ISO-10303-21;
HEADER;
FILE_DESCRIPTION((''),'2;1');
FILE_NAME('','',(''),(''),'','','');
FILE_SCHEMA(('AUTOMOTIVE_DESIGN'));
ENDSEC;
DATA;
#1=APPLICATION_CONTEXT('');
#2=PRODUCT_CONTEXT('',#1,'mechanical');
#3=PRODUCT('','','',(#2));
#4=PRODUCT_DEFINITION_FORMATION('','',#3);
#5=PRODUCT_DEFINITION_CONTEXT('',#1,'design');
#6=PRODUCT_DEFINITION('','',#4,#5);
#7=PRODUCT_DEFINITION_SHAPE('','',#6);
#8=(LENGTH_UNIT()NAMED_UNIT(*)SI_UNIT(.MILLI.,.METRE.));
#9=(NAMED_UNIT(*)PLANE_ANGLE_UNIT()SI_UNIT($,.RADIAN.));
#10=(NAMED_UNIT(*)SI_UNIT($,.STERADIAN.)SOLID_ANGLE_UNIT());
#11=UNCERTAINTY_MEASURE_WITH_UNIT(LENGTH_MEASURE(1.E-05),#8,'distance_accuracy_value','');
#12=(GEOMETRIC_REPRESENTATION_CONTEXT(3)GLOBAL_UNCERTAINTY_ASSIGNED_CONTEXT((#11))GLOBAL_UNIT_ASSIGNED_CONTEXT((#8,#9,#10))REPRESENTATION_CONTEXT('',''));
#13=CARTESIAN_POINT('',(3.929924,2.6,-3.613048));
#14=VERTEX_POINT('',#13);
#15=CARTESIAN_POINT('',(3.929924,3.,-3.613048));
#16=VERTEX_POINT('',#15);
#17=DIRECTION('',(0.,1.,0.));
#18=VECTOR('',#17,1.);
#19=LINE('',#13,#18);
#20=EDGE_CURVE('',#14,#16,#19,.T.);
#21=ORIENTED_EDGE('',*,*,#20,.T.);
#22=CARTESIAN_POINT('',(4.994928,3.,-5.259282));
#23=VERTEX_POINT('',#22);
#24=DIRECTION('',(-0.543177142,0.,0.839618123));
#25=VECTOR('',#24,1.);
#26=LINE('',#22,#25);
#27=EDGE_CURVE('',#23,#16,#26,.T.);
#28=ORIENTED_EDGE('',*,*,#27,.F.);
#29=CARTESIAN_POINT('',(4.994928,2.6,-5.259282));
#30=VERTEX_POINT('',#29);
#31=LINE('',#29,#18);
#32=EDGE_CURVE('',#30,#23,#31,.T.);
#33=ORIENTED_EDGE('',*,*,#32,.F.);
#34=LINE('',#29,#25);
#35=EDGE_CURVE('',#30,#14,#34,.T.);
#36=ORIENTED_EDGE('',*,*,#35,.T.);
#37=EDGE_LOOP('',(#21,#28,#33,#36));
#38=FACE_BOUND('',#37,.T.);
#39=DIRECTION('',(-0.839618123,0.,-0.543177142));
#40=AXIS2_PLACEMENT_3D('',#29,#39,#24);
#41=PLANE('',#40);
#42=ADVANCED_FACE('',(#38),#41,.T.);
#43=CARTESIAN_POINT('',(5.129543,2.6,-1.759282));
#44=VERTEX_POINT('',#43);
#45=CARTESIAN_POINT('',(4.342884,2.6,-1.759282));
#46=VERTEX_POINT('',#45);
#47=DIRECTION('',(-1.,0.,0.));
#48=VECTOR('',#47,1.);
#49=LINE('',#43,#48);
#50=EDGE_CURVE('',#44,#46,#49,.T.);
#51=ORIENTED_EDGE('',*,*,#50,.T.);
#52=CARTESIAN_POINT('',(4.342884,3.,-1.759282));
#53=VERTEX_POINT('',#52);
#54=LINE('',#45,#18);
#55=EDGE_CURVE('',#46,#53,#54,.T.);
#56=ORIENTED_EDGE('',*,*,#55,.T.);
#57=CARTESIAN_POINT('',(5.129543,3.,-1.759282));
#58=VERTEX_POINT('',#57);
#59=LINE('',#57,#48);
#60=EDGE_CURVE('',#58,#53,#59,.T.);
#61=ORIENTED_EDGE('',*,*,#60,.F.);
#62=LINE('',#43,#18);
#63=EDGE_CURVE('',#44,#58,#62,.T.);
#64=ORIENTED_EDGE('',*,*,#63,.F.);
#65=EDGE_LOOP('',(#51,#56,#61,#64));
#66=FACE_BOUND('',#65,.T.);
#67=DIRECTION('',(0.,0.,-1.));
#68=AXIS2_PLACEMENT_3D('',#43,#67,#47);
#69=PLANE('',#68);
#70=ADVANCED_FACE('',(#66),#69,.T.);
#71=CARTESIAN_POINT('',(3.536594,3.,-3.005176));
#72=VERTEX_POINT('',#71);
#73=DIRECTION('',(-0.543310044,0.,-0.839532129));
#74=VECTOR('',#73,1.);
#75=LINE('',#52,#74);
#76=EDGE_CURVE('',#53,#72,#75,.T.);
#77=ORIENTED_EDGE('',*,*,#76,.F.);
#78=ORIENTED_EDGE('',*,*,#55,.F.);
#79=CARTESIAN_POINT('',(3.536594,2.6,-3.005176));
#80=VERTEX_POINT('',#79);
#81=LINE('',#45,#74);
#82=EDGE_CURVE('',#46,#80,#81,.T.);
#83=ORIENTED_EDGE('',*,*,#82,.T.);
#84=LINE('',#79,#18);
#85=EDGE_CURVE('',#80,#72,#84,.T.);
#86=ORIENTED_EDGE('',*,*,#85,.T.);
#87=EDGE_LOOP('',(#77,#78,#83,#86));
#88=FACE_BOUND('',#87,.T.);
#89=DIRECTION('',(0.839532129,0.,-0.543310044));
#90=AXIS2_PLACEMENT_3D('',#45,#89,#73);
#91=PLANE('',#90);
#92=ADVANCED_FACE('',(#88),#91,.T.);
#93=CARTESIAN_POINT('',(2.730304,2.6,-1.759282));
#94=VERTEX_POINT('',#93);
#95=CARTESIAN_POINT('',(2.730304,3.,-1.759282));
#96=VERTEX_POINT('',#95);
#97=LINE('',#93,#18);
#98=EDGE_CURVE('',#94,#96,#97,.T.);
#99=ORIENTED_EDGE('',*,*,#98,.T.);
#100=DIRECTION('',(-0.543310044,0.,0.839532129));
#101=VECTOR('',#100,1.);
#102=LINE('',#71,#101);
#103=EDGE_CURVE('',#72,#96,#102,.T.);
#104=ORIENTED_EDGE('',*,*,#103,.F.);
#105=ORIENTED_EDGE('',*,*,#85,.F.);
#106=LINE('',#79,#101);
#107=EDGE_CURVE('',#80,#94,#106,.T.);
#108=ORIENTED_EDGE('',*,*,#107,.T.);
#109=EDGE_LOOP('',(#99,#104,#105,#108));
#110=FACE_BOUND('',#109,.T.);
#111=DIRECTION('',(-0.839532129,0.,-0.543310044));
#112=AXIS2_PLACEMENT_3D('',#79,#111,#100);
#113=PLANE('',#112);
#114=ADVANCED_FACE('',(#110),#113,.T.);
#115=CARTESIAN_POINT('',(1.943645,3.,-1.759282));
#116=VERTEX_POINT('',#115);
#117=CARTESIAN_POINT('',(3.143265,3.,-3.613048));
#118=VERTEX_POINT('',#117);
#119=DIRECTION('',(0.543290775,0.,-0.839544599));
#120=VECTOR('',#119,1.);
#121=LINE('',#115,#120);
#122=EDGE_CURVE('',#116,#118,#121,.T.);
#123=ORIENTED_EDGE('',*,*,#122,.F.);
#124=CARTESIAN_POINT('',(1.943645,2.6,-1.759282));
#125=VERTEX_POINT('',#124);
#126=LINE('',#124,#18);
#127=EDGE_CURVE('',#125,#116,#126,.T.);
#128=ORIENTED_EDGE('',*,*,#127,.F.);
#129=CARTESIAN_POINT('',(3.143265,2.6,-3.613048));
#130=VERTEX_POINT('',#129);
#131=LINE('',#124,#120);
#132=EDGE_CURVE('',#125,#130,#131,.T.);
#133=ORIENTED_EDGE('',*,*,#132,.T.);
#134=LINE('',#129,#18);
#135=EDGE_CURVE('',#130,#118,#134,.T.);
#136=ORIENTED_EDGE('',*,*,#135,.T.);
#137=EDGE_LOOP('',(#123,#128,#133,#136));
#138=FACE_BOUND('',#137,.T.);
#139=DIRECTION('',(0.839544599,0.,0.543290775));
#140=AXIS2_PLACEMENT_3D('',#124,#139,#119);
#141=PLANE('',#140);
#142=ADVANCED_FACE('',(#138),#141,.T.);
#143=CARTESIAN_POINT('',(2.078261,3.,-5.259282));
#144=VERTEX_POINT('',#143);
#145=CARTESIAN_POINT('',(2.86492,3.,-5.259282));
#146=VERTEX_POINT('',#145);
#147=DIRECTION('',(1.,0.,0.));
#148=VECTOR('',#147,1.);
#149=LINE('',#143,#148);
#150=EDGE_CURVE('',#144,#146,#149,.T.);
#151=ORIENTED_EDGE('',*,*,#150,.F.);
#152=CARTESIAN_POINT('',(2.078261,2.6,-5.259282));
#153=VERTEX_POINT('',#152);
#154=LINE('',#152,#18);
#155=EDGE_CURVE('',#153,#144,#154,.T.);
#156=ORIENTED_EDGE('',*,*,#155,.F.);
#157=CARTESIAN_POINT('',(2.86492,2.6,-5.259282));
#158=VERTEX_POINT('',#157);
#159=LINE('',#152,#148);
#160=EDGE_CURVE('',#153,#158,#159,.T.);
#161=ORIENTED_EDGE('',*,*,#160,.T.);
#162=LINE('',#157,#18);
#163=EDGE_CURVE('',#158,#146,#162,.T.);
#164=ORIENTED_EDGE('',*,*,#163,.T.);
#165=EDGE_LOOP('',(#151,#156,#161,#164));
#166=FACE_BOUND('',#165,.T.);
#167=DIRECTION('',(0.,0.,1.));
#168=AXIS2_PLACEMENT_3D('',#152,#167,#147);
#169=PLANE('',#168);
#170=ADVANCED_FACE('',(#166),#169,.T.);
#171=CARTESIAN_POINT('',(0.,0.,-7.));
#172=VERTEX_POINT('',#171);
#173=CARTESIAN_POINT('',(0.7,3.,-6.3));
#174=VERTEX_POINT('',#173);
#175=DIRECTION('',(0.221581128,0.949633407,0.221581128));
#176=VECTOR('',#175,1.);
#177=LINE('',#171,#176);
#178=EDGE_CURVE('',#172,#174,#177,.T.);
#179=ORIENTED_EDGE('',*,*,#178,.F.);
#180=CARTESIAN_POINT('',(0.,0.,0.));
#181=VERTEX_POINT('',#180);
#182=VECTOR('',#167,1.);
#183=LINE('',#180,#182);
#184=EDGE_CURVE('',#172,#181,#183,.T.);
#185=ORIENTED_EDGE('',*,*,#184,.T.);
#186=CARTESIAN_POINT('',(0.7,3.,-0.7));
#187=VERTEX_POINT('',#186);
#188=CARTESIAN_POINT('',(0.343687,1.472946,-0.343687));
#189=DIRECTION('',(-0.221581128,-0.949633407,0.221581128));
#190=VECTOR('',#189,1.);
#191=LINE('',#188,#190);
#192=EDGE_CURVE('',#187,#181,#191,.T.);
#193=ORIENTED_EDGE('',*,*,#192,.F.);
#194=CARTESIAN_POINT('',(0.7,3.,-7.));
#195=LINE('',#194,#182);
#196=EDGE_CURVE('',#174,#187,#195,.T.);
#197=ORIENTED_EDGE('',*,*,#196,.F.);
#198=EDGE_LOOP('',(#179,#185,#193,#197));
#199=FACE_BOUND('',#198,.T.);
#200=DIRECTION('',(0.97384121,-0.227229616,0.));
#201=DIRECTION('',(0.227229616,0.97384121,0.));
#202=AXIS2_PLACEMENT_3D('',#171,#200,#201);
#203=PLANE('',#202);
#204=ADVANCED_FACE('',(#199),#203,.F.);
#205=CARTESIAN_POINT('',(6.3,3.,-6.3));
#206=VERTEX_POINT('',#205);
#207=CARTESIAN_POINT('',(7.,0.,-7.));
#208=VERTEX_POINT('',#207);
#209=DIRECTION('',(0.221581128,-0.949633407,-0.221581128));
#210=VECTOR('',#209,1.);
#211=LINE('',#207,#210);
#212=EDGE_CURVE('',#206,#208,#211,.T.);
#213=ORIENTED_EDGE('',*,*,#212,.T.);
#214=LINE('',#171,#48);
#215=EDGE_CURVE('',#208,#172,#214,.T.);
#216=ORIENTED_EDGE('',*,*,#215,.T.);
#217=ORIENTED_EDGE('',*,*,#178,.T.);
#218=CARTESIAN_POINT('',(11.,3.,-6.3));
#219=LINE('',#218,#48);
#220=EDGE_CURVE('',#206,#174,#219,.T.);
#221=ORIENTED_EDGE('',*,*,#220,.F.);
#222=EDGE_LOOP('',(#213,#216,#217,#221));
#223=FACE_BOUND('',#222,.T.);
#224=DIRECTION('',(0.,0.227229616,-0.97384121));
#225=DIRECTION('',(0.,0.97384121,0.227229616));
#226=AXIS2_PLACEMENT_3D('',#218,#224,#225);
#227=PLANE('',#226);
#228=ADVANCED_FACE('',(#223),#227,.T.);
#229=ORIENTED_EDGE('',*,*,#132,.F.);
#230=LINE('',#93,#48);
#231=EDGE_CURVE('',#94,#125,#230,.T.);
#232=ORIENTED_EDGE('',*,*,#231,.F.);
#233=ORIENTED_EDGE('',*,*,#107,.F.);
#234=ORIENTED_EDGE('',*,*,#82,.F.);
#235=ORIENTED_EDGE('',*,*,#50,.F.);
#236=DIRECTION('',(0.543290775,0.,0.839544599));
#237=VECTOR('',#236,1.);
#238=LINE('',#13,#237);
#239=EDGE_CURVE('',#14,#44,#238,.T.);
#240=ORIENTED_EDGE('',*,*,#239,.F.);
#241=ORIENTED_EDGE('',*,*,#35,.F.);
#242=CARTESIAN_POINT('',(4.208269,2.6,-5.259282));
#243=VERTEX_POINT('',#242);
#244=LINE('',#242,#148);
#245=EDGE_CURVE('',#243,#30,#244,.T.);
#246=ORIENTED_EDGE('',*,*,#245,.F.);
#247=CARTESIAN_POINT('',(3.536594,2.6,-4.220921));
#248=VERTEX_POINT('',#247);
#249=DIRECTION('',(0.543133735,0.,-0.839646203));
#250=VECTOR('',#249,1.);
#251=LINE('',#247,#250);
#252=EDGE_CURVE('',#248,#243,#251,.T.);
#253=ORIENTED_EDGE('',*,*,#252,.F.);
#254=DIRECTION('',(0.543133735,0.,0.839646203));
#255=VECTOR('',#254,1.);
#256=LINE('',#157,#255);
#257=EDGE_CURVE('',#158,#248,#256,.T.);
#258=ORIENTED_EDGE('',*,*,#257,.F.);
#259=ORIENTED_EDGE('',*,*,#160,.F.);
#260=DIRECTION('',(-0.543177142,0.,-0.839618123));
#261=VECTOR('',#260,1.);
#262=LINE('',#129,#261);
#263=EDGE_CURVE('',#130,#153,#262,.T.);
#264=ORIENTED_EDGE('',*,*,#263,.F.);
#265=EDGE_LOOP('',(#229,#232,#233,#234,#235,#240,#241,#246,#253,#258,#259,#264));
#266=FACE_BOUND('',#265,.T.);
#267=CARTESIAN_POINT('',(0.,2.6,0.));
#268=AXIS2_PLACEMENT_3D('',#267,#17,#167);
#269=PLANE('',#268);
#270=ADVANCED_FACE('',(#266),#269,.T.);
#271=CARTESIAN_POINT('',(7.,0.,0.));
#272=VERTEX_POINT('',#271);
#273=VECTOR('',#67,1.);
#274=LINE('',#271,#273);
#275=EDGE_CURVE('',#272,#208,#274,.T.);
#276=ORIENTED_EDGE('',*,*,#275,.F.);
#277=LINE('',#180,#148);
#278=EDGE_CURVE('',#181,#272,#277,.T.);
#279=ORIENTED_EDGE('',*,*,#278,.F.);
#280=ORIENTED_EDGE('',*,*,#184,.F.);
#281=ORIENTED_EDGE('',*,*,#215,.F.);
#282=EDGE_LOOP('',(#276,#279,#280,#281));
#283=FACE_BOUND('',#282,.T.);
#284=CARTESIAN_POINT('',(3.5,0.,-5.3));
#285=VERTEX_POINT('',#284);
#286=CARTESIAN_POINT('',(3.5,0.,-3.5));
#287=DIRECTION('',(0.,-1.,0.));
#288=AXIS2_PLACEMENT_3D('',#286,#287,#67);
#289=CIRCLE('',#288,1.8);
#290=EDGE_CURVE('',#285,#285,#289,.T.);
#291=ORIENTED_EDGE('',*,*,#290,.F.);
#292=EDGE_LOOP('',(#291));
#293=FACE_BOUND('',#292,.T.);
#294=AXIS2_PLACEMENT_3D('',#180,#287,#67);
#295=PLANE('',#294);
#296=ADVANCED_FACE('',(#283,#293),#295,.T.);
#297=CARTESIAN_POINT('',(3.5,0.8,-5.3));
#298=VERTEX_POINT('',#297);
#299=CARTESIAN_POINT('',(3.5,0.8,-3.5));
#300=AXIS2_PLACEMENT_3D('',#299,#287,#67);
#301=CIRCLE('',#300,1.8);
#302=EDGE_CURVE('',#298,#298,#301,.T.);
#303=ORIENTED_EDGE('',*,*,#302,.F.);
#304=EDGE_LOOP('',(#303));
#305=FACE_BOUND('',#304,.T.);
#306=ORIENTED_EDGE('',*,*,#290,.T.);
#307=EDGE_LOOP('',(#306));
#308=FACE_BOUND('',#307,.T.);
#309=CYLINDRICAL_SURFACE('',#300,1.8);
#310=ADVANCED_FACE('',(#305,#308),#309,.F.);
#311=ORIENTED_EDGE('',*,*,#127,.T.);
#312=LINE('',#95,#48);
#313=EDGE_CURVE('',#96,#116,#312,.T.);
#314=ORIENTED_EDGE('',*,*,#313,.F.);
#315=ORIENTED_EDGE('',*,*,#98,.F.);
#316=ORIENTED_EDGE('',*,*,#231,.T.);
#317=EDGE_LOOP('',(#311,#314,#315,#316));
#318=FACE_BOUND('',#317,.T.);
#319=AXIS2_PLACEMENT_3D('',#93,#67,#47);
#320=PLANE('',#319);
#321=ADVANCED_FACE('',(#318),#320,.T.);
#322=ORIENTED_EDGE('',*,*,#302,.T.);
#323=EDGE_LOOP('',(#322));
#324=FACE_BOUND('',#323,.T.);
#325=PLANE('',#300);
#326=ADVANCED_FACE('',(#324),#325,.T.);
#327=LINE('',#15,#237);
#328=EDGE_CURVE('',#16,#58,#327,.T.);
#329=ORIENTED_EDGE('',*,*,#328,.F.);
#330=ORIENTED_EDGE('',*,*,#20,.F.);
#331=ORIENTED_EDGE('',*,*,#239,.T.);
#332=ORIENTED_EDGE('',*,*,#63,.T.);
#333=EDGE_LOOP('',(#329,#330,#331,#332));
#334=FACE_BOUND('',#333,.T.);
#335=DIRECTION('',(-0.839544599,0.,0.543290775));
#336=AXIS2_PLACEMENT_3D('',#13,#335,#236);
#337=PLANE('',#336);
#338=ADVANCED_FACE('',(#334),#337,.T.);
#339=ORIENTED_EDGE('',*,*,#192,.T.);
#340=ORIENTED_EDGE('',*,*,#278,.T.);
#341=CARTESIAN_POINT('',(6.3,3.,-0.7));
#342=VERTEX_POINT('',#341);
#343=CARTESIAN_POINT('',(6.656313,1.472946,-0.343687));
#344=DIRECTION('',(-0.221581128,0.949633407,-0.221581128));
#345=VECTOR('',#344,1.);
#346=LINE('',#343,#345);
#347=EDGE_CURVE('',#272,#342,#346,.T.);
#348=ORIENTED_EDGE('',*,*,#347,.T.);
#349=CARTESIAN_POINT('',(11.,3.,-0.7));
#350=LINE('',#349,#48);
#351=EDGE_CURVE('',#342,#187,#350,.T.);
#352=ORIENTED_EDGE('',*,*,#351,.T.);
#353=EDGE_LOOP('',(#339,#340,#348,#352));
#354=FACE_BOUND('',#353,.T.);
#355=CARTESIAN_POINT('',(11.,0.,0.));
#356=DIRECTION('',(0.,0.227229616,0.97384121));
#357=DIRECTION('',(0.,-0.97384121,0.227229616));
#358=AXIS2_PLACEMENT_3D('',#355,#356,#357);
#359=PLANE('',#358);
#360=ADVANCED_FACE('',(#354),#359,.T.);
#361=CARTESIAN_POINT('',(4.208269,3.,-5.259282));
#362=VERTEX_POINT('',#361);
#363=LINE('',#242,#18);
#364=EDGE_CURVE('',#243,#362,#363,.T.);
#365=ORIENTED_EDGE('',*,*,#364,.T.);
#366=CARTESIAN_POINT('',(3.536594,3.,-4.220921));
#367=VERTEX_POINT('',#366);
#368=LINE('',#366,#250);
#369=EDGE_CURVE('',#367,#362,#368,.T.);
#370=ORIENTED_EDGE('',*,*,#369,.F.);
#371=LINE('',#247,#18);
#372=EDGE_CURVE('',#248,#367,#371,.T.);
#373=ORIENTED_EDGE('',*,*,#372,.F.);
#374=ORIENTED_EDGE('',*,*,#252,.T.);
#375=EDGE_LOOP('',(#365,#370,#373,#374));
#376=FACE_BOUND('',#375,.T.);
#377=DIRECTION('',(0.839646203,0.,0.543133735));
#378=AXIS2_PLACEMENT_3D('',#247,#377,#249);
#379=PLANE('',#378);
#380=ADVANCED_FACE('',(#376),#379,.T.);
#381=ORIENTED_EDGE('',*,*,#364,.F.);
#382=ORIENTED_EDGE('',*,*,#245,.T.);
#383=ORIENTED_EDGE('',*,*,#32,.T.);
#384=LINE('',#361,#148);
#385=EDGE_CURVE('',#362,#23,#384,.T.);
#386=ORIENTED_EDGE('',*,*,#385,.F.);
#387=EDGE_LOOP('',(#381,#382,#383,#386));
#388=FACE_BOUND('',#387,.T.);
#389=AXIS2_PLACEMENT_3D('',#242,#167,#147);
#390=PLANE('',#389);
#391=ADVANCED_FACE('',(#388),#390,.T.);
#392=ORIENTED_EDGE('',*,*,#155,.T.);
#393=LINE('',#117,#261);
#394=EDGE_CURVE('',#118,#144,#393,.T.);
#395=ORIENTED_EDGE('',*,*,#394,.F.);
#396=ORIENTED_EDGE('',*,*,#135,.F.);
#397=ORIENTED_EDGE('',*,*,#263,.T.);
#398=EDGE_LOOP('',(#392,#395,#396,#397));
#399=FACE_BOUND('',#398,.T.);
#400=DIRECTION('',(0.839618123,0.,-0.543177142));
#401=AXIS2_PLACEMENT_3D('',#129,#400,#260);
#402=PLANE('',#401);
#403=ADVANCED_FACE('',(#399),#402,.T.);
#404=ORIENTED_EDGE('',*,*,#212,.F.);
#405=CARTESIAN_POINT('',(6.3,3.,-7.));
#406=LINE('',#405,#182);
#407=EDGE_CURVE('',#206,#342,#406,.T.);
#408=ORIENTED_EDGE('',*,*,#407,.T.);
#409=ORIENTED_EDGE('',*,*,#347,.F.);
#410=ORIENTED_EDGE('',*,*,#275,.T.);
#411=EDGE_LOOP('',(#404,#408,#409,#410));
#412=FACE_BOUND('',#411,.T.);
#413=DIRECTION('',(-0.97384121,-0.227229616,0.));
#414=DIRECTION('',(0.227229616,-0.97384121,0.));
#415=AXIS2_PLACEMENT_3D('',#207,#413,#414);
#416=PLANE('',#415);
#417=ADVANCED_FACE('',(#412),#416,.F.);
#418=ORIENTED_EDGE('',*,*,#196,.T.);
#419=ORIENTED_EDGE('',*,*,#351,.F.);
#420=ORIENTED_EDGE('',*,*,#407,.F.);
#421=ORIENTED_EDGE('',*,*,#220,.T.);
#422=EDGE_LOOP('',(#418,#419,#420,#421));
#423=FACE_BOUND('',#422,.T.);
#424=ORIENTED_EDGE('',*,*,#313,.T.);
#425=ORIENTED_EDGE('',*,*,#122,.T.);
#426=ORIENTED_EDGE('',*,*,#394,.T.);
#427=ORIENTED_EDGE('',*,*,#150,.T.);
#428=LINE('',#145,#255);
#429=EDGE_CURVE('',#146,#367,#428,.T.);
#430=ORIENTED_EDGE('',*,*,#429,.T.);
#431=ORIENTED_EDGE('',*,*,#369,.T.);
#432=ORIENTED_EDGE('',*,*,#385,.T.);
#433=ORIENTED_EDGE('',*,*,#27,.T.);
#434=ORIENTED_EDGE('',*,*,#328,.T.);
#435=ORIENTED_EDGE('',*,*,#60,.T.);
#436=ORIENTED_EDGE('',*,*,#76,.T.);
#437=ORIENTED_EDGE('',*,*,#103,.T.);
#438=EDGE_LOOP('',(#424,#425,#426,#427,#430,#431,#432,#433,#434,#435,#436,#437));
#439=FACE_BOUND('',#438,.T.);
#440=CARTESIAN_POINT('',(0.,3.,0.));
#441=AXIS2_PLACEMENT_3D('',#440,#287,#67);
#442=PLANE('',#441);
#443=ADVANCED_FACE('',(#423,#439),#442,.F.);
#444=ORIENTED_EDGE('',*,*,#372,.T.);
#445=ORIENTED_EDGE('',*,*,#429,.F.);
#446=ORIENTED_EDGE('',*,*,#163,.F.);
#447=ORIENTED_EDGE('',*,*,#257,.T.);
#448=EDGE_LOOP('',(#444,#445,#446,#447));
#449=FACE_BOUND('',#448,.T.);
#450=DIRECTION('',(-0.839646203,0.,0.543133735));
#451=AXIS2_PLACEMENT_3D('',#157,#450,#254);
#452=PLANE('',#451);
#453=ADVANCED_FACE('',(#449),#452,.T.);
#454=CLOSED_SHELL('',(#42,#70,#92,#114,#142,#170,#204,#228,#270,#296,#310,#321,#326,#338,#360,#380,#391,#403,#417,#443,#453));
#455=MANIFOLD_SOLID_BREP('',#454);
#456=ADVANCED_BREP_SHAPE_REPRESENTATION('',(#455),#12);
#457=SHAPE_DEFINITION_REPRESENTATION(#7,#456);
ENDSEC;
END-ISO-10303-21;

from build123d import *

# Parameters (mm, degrees)
SKETCH1_W           = 7
SKETCH1_H           = 7
BOSS_EXTRUDE1_DEPTH = 3
CUT_EXTRUDE1_DEPTH  = 7
CUT_EXTRUDE2_DEPTH  = 11
SKETCH4_R           = 1.8
CUT_EXTRUDE3_DEPTH  = 0.8
CUT_EXTRUDE4_DEPTH  = 0.4


with BuildPart() as part:
    # Sketch1 → Boss-Extrude1 (new body)
    with BuildSketch(Plane(origin=(0, 0, 0), x_dir=(1, 0, 0), z_dir=(0, 1, 0))):
        with Locations((3.5, 3.5)):
            Rectangle(SKETCH1_W, SKETCH1_H)
    extrude(amount=BOSS_EXTRUDE1_DEPTH)

    # Sketch2 → Cut-Extrude1 (cut)
    with BuildSketch(Plane.XY):
        Polygon((0, 0), (0.7, 3), (0, 3), align=None)
        Polygon((7, 0), (6.3, 3), (7, 3), align=None)
    extrude(amount=-CUT_EXTRUDE1_DEPTH, mode=Mode.SUBTRACT)

    # Sketch3 → Cut-Extrude2 (cut)
    with BuildSketch(Plane(origin=(0, 0, 0), x_dir=(0, 0, -1), z_dir=(1, 0, 0))):
        Polygon((0, 0), (0.7, 3), (0, 3), align=None)
        Polygon((7, 3), (6.3, 3), (7, 0), align=None)
    extrude(amount=CUT_EXTRUDE2_DEPTH, mode=Mode.SUBTRACT)

    # Sketch4 → Cut-Extrude3 (cut)
    with BuildSketch(Plane.XZ):
        with Locations(Location((3.5, -3.5, 0), (0, 0, 270))):
            Circle(SKETCH4_R)
    extrude(amount=-CUT_EXTRUDE3_DEPTH, mode=Mode.SUBTRACT)

    # Sketch5 → Cut-Extrude4 (cut)
    with BuildSketch(Plane(origin=(0, 3, 0), x_dir=(1, 0, 0), z_dir=(0, 1, 0))):
        Polygon((1.943645472, 1.759282352), (3.143264863, 3.613048377), (2.078260857, 5.259282352), (2.864919511, 5.259282352), (3.53659419, 4.220920973), (4.20826887, 5.259282352), (4.994927523, 5.259282352), (3.929923517, 3.613048377), (5.129542908, 1.759282352), (4.342884254, 1.759282352), (3.53659419, 3.005175781), (2.730304126, 1.759282352), align=None)
    extrude(amount=-CUT_EXTRUDE4_DEPTH, mode=Mode.SUBTRACT)


solid = part.part
